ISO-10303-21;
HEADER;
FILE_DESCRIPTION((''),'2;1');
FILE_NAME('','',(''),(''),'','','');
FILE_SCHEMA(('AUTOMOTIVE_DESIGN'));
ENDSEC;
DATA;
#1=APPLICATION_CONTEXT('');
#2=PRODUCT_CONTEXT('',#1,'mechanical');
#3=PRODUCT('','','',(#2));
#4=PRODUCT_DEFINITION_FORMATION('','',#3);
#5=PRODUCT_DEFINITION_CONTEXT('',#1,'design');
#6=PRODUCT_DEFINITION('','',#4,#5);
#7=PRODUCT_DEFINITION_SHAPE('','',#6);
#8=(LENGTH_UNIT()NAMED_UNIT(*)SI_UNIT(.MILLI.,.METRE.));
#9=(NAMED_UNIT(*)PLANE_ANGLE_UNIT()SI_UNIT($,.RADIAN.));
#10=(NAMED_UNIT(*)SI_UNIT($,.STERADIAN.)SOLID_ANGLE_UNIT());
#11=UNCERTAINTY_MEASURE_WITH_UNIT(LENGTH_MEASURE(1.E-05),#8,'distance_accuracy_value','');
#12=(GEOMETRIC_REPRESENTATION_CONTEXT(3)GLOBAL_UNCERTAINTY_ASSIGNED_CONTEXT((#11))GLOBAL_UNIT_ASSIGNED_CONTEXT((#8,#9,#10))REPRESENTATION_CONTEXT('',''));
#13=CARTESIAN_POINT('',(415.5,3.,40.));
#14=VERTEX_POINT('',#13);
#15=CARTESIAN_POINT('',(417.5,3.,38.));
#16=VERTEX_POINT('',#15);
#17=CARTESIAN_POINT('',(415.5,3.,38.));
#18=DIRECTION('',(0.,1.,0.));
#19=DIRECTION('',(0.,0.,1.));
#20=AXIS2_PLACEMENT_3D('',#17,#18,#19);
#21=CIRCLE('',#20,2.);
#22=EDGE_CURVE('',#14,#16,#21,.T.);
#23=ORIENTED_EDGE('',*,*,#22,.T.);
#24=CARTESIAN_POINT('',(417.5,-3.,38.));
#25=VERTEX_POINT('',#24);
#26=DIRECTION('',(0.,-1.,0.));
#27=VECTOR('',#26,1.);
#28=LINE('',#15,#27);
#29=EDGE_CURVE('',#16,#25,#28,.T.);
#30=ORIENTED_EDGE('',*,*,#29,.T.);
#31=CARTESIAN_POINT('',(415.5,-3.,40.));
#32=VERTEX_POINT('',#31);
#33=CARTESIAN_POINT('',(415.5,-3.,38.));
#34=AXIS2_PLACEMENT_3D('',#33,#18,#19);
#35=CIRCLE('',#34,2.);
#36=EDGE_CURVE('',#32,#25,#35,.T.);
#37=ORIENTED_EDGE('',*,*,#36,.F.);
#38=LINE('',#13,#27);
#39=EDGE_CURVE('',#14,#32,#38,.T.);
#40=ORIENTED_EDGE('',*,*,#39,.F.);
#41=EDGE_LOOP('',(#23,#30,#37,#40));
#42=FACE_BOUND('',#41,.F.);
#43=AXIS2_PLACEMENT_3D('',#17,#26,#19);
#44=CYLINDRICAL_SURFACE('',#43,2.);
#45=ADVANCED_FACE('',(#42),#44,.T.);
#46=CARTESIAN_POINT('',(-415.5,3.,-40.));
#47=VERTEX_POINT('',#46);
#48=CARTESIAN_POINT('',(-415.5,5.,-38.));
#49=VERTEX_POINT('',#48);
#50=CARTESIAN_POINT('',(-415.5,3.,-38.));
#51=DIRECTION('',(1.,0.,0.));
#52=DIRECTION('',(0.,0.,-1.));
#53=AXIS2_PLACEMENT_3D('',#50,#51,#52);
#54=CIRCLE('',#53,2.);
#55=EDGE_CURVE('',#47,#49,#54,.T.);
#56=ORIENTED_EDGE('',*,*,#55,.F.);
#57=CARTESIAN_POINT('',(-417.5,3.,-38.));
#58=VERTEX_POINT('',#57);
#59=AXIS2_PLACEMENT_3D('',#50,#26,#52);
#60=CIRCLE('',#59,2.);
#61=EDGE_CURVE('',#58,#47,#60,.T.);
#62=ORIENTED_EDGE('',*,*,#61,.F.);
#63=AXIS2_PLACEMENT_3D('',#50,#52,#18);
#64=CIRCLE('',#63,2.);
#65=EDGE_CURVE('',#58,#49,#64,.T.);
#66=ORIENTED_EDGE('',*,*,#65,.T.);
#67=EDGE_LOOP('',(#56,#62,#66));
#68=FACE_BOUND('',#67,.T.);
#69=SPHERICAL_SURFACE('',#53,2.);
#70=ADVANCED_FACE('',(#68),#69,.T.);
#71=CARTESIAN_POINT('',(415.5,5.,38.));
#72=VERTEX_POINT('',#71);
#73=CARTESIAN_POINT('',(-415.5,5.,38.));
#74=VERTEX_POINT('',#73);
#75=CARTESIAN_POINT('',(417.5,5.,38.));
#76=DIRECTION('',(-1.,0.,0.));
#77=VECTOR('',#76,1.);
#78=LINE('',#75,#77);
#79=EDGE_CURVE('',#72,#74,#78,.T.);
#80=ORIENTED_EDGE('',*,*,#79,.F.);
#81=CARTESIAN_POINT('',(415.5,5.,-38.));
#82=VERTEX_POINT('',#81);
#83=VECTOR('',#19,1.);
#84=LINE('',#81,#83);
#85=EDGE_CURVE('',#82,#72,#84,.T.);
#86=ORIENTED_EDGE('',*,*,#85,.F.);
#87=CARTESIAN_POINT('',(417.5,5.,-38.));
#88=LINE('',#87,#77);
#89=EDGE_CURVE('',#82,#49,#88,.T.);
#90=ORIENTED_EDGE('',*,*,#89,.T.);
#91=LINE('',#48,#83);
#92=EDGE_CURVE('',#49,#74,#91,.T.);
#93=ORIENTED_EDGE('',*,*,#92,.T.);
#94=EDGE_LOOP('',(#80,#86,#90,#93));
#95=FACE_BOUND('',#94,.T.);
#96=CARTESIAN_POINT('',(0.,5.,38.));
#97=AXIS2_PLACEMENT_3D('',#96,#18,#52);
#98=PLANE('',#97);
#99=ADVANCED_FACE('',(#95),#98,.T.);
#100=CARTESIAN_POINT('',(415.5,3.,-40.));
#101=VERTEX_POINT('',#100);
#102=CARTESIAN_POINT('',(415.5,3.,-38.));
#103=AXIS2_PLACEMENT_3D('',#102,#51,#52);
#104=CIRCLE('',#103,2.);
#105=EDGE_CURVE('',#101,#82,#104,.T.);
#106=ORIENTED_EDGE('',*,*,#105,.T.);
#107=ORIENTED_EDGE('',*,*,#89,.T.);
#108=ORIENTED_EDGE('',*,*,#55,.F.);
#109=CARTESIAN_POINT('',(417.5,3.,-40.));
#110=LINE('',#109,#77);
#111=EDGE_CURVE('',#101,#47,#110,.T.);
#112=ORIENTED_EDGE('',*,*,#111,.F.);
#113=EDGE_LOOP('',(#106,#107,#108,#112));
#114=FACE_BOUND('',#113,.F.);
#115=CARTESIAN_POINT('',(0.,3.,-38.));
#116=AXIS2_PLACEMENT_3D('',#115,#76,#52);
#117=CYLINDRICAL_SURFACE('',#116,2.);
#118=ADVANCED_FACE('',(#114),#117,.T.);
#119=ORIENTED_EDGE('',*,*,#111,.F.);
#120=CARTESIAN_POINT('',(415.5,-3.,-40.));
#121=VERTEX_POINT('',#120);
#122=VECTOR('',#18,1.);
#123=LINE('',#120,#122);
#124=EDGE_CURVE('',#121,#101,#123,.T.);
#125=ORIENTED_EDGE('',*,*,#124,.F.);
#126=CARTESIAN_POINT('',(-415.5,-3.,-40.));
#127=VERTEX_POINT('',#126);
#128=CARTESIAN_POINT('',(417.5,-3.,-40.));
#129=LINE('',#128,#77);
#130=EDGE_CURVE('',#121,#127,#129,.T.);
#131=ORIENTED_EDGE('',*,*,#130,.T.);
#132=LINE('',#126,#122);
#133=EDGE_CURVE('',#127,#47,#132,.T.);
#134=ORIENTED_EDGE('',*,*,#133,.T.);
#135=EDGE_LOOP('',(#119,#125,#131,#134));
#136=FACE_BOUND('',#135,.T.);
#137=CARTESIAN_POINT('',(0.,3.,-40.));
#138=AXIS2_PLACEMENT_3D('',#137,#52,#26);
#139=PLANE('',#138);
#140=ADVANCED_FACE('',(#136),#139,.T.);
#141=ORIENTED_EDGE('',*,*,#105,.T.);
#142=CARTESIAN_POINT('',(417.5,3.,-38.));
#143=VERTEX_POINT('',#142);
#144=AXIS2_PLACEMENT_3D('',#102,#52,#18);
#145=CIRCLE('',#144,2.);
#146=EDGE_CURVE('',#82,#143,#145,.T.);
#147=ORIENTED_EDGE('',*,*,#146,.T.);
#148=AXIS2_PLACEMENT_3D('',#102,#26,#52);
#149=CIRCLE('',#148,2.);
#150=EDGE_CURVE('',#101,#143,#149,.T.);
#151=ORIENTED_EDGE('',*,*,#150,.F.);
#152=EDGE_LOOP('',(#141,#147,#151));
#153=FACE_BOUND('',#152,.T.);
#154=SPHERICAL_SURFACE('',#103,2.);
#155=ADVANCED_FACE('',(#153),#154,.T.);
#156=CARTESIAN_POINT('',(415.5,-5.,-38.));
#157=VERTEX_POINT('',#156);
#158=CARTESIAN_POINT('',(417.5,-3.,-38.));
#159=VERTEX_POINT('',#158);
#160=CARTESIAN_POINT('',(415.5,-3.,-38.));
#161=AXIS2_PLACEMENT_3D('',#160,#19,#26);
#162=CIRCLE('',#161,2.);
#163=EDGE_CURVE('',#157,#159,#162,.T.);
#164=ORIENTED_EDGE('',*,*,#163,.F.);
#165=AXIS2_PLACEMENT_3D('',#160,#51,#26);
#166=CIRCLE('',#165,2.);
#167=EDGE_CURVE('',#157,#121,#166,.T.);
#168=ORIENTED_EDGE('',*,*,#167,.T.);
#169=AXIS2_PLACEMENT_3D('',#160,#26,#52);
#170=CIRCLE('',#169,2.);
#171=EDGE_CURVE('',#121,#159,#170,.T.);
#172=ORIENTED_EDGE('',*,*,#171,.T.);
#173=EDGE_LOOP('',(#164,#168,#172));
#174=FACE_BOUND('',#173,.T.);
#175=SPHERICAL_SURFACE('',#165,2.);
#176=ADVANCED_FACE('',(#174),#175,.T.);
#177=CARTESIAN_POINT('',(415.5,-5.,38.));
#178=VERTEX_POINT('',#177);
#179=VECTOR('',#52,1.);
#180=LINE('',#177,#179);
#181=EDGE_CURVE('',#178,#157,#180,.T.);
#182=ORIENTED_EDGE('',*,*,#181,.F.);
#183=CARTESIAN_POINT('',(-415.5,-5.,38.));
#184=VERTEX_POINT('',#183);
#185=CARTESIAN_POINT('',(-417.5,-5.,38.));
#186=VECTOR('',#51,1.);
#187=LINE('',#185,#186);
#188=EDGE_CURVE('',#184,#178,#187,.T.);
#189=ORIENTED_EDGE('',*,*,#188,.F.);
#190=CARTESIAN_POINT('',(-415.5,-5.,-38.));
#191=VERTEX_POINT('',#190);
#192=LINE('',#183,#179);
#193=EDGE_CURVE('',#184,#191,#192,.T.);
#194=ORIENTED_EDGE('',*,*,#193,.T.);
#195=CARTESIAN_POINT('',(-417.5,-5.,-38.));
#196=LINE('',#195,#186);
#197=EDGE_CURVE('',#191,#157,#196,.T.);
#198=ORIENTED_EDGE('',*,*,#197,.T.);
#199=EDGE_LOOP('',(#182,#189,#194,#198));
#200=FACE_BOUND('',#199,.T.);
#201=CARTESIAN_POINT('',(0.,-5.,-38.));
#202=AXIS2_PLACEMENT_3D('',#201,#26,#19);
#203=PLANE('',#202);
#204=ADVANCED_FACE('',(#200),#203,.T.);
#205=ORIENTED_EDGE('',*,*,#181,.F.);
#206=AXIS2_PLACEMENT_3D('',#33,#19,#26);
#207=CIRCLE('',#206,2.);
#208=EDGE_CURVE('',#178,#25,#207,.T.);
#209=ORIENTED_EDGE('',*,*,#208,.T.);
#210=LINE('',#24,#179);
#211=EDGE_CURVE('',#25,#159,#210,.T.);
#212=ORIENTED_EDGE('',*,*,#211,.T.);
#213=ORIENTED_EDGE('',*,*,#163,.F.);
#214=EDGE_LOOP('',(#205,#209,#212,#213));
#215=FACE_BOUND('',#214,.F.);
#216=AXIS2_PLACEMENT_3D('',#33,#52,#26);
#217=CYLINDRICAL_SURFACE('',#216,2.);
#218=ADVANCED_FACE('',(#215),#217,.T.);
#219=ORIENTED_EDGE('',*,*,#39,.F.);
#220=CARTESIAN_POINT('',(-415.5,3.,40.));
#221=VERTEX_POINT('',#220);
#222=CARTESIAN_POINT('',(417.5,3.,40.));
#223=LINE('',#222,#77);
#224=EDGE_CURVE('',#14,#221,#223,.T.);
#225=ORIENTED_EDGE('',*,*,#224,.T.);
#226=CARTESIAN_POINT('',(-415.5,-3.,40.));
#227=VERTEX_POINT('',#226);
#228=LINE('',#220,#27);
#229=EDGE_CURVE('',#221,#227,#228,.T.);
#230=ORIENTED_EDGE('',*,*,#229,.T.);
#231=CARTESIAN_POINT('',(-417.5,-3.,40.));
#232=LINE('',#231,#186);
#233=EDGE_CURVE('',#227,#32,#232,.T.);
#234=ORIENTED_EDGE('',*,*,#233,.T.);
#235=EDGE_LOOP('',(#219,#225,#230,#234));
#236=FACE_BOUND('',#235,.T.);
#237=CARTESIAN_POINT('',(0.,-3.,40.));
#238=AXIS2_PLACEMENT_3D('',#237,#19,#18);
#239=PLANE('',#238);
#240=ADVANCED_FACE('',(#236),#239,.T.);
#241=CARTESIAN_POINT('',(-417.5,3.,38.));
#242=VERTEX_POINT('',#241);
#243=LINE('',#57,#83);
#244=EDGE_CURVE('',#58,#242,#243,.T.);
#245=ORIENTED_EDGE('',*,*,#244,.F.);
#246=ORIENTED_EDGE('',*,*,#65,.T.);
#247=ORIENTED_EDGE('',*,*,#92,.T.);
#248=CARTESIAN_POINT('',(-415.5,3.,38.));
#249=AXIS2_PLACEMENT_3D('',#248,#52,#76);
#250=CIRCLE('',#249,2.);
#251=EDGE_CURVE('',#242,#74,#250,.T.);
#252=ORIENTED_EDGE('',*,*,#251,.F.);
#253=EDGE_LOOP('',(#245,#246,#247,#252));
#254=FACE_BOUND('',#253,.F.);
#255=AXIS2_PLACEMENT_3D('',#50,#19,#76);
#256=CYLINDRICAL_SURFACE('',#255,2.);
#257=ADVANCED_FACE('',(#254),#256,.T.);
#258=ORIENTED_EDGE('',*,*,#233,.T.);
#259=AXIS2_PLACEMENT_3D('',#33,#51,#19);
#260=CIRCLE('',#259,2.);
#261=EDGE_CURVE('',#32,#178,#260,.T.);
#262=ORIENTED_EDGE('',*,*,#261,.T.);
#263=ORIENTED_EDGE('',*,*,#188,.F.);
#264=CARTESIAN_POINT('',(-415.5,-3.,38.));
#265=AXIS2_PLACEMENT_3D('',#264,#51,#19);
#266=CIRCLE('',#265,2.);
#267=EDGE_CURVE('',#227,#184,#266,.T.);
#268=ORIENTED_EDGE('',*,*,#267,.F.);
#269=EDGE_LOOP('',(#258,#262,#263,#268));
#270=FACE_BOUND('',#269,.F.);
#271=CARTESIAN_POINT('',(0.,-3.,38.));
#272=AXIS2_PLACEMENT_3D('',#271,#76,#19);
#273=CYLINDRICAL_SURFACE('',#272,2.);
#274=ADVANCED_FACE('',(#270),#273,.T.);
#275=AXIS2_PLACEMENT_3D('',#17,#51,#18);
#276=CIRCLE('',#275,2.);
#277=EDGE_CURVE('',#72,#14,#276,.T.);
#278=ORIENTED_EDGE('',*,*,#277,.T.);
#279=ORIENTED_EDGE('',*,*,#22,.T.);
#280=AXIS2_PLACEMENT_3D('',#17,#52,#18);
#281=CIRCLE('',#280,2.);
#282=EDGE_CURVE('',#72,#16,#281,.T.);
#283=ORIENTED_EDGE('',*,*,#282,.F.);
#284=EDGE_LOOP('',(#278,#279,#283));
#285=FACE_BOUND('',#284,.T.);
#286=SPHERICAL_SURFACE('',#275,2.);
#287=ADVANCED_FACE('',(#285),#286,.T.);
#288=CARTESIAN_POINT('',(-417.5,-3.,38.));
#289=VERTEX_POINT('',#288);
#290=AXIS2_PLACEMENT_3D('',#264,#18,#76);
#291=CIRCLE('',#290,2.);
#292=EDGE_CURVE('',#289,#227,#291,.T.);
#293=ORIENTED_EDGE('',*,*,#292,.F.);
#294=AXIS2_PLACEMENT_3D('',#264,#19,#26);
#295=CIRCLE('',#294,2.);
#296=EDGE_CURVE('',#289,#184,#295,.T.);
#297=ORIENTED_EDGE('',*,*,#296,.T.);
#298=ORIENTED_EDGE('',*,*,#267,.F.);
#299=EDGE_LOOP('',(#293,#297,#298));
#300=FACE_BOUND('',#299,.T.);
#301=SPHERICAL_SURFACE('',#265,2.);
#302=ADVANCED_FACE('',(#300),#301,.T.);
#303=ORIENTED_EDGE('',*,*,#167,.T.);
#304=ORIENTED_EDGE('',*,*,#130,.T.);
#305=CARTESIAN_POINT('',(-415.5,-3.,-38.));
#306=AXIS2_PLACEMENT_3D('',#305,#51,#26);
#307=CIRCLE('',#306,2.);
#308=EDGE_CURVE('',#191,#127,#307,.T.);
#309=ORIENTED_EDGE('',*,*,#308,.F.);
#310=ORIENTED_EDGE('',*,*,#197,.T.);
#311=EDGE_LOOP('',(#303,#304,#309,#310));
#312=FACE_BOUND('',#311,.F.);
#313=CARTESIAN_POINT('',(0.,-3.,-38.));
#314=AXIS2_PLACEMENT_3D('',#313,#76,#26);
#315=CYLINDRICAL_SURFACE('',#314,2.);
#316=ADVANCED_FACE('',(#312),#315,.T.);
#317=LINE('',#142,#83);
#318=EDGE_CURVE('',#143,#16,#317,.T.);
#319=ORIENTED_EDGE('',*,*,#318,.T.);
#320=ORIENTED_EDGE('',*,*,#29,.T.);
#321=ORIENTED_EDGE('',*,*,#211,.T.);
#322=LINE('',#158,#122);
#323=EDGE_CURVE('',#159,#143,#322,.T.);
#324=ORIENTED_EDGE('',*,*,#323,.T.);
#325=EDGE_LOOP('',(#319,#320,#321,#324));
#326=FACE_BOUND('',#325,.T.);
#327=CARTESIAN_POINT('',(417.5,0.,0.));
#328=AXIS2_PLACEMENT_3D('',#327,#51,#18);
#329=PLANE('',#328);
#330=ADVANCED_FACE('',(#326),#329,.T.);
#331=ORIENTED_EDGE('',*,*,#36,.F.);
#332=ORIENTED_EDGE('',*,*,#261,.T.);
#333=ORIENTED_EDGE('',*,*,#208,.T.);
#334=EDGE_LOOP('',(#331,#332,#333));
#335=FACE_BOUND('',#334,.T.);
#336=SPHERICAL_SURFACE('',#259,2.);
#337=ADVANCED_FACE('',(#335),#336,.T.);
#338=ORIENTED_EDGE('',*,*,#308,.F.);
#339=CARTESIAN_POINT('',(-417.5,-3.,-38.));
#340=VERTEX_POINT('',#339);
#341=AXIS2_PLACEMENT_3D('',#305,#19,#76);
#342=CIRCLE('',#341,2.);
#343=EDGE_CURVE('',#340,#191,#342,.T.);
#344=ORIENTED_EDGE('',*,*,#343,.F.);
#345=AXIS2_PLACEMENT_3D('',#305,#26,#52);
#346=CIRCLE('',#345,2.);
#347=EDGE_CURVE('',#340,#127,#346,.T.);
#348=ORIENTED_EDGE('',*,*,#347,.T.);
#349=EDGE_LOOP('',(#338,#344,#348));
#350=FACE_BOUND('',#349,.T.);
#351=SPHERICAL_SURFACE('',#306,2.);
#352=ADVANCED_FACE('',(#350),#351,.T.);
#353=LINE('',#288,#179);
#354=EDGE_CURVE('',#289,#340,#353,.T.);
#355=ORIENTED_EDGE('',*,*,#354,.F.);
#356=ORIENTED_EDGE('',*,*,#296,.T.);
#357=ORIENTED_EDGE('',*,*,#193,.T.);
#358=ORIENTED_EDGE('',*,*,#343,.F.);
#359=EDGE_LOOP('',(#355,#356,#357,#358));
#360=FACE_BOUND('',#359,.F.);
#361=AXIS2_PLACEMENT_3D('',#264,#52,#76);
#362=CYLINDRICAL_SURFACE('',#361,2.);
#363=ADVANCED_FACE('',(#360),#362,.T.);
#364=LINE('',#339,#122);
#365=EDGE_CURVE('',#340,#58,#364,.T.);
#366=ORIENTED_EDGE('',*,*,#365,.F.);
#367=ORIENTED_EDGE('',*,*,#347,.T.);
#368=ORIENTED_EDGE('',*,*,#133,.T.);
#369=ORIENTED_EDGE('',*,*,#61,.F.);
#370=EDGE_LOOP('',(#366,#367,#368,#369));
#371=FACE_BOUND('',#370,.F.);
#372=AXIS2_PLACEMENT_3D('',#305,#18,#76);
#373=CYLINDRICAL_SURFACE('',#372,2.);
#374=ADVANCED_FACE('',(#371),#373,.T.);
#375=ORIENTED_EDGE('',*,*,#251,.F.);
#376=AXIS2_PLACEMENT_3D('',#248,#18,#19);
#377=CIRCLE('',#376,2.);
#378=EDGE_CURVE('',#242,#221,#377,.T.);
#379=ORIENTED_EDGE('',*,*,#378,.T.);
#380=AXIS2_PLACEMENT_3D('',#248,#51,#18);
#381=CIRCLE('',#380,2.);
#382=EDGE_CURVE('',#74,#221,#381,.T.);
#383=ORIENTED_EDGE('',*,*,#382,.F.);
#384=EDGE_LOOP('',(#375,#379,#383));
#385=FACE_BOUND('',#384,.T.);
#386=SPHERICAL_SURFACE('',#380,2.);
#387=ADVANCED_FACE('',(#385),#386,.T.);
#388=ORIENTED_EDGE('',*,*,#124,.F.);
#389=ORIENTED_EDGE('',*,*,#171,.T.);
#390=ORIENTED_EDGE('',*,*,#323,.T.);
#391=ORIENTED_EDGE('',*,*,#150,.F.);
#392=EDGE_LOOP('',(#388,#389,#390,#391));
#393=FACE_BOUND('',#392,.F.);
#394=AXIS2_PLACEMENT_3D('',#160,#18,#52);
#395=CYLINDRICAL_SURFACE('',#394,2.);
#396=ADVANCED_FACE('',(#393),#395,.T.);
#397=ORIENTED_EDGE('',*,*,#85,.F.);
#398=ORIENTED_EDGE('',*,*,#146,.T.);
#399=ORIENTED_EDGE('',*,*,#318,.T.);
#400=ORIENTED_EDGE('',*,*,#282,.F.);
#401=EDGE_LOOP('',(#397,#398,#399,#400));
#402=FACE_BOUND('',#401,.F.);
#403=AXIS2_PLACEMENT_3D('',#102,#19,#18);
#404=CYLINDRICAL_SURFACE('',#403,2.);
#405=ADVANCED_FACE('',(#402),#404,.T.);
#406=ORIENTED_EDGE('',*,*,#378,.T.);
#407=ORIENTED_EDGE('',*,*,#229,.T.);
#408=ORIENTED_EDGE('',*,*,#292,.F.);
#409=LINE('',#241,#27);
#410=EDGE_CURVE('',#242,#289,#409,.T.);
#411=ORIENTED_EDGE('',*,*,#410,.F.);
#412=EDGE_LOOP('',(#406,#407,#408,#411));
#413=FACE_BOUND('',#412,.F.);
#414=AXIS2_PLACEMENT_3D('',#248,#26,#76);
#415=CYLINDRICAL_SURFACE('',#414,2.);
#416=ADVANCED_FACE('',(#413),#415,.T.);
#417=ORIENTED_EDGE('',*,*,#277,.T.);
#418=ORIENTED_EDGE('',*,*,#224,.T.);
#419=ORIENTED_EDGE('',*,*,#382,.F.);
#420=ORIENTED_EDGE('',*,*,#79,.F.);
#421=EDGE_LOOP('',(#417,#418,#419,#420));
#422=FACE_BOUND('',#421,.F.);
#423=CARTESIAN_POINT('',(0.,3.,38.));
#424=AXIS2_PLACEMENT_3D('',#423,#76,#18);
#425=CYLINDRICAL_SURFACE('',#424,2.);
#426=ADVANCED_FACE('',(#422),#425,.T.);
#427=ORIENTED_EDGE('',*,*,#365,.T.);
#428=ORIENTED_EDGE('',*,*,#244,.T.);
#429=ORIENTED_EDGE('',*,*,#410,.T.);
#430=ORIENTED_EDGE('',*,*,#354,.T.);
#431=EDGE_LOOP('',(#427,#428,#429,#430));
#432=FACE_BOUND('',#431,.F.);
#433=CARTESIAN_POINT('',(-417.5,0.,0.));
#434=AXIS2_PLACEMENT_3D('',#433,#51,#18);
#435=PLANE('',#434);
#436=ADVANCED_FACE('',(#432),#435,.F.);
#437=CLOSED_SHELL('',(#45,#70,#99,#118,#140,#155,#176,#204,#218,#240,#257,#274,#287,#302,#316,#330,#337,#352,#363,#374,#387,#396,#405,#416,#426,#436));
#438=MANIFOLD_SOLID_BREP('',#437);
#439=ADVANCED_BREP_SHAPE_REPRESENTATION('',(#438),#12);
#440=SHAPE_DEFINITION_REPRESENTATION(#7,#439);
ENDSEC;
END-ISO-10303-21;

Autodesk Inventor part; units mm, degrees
ref_plane "YZ Plane" through (0, 0, 0) normal (1, 0, 0) x (0, 1, 0)
ref_plane "XZ Plane" through (0, 0, 0) normal (0, 1, 0) x (-1, 0, 0)
ref_plane "XY Plane" through (0, 0, 0) normal (0, 0, 1) x (1, 0, 0)
sketch "Sketch1" plane through (0, 0, 0) normal (1, 0, 0) x (0, 1, 0)
  line L0 (-3, 40) -> (3, 40)
  line L1 (5, 38) -> (5, -38)
  line L2 (3, -40) -> (-3, -40)
  line L3 (-5, -38) -> (-5, 38)
  line L4 (-5, 40) -> (5, -40) construction
  line L5 (5, 40) -> (-5, -40) construction
  arc A0 (5, 38) -> (3, 40) centre (3, 38) ccw
  arc A1 (-3, 40) -> (-5, 38) centre (-3, 38) ccw
  arc A2 (3, -40) -> (5, -38) centre (3, -38) ccw
  arc A3 (-5, -38) -> (-3, -40) centre (-3, -38) ccw
  point P0 (0, 0)
  dimension "d0" = 10
  dimension "d1" = 80
  dimension "d2" = 2
extrude "Extrusion1" add sketch "Sketch1" along normal blind 417.5 and the other way blind 417.5
fillet "Fillet1" radius 2 8 edges at (417.5, 4.4142, 39.4142) (417.5, 0, 40) (417.5, -4.4142, 39.4142) (417.5, -5, 0) (417.5, -4.4142, -39.4142) (417.5, 0, -40) (417.5, 4.4142, -39.4142) (417.5, 5, 0)
fillet "Fillet2" radius 2 8 edges at (-417.5, 4.4142, -39.4142) (-417.5, 0, -40) (-417.5, -4.4142, -39.4142) (-417.5, -5, 0) (-417.5, -4.4142, 39.4142) (-417.5, 0, 40) (-417.5, 4.4142, 39.4142) (-417.5, 5, 0)
properties part number "CeramicModel"
